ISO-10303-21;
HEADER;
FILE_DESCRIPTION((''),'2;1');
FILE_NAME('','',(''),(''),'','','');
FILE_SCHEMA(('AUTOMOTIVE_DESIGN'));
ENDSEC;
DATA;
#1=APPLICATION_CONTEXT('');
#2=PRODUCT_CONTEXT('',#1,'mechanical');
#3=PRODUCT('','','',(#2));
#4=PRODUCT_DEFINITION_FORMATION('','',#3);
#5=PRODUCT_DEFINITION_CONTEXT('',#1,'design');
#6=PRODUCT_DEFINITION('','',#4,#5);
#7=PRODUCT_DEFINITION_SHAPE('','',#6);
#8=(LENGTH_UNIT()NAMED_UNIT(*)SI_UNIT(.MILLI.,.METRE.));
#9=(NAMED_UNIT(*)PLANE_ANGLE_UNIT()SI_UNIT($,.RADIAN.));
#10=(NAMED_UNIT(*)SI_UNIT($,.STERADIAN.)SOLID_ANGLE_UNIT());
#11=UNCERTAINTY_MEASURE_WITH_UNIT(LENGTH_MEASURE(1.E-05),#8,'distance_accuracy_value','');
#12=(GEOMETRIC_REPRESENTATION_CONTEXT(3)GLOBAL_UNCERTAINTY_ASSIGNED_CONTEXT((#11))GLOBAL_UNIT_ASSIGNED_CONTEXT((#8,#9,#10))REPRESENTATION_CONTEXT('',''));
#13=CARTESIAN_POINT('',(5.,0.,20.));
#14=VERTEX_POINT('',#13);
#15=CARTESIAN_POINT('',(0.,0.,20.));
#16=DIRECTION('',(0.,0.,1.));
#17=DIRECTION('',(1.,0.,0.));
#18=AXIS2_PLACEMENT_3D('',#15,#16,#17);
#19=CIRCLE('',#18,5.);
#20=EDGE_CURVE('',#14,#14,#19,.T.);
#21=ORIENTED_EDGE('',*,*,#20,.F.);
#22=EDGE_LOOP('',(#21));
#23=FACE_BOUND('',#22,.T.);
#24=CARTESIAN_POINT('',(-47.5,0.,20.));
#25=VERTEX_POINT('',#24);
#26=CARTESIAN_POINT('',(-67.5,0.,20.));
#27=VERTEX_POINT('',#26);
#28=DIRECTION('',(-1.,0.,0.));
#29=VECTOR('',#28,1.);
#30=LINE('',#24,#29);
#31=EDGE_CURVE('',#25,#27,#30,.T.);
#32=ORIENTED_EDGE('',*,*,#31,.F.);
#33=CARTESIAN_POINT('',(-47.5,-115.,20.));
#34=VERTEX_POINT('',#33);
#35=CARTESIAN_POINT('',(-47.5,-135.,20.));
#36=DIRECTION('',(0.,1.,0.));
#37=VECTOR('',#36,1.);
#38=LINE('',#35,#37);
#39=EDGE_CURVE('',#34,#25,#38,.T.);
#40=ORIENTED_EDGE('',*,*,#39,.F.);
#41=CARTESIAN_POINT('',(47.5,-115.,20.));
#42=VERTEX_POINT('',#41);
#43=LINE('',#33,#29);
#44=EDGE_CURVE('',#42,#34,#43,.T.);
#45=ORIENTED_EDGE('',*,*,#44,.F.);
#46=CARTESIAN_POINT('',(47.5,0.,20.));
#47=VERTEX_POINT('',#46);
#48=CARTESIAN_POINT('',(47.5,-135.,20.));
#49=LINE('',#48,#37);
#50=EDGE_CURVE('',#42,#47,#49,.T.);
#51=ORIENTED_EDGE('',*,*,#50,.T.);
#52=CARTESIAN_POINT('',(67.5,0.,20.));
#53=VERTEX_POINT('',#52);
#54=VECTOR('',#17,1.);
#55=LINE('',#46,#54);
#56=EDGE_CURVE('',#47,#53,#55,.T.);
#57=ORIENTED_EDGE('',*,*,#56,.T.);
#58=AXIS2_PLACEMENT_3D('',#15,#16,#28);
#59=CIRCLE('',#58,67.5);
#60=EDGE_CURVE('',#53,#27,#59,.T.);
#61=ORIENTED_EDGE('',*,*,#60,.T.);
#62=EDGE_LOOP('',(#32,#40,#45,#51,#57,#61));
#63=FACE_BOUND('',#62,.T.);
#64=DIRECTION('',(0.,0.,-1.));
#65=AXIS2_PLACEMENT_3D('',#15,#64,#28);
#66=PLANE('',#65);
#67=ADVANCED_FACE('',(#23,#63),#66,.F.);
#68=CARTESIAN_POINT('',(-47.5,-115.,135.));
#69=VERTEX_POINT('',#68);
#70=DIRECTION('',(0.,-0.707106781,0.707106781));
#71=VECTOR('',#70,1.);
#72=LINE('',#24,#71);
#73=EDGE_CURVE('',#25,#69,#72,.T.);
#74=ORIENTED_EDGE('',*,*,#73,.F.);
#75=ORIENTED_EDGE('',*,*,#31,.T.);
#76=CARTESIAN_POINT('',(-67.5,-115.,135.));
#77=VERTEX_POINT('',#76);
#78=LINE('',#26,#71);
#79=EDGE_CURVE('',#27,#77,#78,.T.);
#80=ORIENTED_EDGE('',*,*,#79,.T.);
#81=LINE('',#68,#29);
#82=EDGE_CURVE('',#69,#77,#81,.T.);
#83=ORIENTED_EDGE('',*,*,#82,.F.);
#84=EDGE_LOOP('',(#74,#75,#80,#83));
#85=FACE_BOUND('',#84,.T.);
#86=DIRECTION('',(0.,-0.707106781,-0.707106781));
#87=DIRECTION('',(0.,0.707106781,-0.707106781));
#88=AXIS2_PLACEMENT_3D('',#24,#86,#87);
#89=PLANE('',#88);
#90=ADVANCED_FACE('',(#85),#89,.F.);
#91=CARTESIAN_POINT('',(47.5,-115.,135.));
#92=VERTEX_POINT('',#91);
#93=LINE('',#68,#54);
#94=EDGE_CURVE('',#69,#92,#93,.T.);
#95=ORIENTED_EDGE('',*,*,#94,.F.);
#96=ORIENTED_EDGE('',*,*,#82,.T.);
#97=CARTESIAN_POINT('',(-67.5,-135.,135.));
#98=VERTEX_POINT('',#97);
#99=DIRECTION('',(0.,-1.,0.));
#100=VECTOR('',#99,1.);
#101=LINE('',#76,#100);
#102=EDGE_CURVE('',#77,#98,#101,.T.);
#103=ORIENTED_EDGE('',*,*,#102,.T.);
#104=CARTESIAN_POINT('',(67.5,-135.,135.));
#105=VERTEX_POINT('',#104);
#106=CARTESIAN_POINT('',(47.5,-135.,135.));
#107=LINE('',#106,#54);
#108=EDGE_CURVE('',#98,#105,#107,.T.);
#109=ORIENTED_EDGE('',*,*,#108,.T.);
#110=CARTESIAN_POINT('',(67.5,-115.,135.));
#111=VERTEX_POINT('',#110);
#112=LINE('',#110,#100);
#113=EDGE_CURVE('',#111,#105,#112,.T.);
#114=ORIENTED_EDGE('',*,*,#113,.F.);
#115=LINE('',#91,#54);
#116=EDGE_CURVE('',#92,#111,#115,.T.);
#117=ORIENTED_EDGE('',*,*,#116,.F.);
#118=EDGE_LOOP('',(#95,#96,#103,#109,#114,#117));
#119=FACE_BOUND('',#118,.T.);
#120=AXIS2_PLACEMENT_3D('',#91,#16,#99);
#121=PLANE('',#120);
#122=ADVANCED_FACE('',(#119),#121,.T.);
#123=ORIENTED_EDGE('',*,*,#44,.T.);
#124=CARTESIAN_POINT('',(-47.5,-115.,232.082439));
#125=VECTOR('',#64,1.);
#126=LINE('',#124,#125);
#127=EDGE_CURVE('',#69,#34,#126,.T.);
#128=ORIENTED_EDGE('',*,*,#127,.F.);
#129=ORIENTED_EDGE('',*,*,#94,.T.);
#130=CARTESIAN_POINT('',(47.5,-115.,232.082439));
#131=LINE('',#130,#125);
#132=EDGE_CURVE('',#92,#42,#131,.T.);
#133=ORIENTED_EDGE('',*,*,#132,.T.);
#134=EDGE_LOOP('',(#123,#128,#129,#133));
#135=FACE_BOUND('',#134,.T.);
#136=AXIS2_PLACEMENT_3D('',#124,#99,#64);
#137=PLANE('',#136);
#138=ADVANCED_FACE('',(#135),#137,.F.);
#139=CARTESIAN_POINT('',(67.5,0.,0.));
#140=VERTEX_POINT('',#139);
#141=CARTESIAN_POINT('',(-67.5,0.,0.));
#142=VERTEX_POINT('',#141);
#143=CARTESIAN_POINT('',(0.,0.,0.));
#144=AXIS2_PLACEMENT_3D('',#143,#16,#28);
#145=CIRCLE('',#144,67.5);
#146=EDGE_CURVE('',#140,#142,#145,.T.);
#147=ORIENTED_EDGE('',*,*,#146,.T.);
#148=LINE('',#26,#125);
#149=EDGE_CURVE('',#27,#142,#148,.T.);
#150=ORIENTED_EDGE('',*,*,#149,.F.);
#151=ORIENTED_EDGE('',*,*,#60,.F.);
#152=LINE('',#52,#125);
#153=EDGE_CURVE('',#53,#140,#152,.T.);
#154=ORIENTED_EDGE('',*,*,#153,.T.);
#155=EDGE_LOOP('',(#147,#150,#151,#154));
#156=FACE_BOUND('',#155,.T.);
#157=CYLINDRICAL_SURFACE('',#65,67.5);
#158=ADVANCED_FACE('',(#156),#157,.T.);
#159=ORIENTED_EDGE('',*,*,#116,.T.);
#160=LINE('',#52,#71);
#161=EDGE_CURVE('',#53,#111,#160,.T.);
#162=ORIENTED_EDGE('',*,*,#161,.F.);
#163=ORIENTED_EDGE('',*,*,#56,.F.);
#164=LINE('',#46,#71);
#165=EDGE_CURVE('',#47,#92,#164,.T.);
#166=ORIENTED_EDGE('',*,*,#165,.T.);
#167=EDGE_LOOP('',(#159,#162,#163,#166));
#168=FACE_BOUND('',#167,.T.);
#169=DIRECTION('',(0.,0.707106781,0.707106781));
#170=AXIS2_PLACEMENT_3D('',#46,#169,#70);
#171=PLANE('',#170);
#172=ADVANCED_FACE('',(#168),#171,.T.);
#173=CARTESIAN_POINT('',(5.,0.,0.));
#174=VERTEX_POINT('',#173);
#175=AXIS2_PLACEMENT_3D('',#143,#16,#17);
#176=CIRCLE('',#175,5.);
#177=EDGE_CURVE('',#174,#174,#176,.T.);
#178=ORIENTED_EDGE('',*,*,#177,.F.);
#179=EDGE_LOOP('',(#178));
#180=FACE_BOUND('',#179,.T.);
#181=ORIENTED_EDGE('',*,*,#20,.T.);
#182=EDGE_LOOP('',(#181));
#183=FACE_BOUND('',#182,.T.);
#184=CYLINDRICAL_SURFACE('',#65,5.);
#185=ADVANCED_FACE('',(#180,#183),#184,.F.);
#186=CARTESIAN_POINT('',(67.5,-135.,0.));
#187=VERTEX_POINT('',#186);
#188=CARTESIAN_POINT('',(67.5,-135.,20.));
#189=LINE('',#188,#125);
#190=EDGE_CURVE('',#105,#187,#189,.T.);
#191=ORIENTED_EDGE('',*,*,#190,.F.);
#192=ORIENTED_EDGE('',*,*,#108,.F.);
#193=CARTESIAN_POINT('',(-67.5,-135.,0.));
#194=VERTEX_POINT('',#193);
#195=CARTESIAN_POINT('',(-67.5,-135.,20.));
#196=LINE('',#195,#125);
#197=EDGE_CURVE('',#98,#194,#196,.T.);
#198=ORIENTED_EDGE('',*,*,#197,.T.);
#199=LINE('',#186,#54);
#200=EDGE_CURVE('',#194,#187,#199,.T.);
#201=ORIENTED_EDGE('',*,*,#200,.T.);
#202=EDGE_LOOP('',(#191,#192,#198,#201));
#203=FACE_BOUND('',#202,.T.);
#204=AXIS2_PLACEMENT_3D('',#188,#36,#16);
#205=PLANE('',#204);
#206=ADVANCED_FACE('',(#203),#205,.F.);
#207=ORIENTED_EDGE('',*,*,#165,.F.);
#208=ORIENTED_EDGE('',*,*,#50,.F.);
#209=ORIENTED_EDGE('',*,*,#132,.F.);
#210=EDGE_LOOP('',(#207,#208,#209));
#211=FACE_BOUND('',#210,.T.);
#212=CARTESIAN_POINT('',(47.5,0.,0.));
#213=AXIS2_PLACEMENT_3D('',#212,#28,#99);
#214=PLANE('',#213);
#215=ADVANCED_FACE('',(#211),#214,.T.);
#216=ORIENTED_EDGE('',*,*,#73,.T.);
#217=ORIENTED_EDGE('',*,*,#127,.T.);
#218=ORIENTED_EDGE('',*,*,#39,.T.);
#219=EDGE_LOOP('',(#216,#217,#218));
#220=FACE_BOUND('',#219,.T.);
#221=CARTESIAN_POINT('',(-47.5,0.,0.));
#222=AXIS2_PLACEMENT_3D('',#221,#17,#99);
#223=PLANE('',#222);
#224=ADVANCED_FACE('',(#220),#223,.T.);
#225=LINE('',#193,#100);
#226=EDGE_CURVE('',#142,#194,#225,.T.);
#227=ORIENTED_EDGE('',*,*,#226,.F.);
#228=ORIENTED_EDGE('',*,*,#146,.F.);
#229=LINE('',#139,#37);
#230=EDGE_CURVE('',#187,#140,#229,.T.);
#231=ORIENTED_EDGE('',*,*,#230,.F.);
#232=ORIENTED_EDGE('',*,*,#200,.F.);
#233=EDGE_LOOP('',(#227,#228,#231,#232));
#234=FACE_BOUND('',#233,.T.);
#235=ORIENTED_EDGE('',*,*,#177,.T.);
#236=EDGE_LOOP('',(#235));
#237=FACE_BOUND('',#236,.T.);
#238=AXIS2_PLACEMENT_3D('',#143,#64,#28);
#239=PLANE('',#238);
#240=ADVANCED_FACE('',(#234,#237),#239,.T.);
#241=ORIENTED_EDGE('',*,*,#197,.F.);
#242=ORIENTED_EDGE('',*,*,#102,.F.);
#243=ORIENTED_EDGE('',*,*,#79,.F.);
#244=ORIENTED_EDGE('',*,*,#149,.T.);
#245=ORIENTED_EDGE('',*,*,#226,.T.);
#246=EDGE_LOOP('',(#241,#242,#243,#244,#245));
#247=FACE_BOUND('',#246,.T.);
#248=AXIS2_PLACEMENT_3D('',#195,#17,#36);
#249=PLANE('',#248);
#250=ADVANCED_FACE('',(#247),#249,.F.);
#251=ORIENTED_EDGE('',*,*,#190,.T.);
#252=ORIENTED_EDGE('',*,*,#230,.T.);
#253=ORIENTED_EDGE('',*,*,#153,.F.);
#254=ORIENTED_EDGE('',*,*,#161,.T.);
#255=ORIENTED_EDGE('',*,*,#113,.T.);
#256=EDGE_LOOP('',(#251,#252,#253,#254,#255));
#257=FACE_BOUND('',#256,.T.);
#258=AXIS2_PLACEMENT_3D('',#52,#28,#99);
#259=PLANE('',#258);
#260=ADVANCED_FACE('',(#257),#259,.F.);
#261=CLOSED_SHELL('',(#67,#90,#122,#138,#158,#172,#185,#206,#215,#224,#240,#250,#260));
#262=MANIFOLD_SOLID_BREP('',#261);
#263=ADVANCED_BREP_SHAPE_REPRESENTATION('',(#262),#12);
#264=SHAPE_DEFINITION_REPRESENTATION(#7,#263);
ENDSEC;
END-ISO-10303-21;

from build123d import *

# Parameters (mm, degrees)
SKETCH1_R           = 5
BOSS_EXTRUDE1_DEPTH = 20
BOSS_EXTRUDE2_DEPTH = 20
SKETCH6_W           = 95
SKETCH6_H           = 20
BOSS_EXTRUDE3_DEPTH = 115


with BuildPart() as part:
    # Sketch1 → Boss-Extrude1 (new body)
    with BuildSketch(Plane.XY):
        with BuildLine():
            Line((-67.5, -135), (-67.5, 0))
            ThreePointArc((-67.5, 0), (0, 67.5), (67.5, 0))
            Line((67.5, 0), (67.5, -135))
            Line((67.5, -135), (-67.5, -135))
        make_face()
        Circle(SKETCH1_R, mode=Mode.SUBTRACT)
    extrude(amount=BOSS_EXTRUDE1_DEPTH)

    # Sketch5 → Boss-Extrude2 (add)
    with BuildSketch(Plane(origin=(67.5, 0, 0), x_dir=(0, 0, -1), z_dir=(1, 0, 0))):
        Polygon((-20, 0), (-135, -115), (-135, -135), (-20, -135), align=None)
    boss_extrude2 = extrude(amount=-BOSS_EXTRUDE2_DEPTH)

    # Mirror1: Boss-Extrude2 across plane
    add(boss_extrude2.mirror(Plane(origin=(0, 0, 0), x_dir=(0, 0, 1), z_dir=(1, 0, 0))))

    # Sketch6 → Boss-Extrude3 (add)
    with BuildSketch(Plane.XY.offset(20)):
        with Locations((0, -125)):
            Rectangle(SKETCH6_W, SKETCH6_H)
    extrude(amount=BOSS_EXTRUDE3_DEPTH)


solid = part.part
